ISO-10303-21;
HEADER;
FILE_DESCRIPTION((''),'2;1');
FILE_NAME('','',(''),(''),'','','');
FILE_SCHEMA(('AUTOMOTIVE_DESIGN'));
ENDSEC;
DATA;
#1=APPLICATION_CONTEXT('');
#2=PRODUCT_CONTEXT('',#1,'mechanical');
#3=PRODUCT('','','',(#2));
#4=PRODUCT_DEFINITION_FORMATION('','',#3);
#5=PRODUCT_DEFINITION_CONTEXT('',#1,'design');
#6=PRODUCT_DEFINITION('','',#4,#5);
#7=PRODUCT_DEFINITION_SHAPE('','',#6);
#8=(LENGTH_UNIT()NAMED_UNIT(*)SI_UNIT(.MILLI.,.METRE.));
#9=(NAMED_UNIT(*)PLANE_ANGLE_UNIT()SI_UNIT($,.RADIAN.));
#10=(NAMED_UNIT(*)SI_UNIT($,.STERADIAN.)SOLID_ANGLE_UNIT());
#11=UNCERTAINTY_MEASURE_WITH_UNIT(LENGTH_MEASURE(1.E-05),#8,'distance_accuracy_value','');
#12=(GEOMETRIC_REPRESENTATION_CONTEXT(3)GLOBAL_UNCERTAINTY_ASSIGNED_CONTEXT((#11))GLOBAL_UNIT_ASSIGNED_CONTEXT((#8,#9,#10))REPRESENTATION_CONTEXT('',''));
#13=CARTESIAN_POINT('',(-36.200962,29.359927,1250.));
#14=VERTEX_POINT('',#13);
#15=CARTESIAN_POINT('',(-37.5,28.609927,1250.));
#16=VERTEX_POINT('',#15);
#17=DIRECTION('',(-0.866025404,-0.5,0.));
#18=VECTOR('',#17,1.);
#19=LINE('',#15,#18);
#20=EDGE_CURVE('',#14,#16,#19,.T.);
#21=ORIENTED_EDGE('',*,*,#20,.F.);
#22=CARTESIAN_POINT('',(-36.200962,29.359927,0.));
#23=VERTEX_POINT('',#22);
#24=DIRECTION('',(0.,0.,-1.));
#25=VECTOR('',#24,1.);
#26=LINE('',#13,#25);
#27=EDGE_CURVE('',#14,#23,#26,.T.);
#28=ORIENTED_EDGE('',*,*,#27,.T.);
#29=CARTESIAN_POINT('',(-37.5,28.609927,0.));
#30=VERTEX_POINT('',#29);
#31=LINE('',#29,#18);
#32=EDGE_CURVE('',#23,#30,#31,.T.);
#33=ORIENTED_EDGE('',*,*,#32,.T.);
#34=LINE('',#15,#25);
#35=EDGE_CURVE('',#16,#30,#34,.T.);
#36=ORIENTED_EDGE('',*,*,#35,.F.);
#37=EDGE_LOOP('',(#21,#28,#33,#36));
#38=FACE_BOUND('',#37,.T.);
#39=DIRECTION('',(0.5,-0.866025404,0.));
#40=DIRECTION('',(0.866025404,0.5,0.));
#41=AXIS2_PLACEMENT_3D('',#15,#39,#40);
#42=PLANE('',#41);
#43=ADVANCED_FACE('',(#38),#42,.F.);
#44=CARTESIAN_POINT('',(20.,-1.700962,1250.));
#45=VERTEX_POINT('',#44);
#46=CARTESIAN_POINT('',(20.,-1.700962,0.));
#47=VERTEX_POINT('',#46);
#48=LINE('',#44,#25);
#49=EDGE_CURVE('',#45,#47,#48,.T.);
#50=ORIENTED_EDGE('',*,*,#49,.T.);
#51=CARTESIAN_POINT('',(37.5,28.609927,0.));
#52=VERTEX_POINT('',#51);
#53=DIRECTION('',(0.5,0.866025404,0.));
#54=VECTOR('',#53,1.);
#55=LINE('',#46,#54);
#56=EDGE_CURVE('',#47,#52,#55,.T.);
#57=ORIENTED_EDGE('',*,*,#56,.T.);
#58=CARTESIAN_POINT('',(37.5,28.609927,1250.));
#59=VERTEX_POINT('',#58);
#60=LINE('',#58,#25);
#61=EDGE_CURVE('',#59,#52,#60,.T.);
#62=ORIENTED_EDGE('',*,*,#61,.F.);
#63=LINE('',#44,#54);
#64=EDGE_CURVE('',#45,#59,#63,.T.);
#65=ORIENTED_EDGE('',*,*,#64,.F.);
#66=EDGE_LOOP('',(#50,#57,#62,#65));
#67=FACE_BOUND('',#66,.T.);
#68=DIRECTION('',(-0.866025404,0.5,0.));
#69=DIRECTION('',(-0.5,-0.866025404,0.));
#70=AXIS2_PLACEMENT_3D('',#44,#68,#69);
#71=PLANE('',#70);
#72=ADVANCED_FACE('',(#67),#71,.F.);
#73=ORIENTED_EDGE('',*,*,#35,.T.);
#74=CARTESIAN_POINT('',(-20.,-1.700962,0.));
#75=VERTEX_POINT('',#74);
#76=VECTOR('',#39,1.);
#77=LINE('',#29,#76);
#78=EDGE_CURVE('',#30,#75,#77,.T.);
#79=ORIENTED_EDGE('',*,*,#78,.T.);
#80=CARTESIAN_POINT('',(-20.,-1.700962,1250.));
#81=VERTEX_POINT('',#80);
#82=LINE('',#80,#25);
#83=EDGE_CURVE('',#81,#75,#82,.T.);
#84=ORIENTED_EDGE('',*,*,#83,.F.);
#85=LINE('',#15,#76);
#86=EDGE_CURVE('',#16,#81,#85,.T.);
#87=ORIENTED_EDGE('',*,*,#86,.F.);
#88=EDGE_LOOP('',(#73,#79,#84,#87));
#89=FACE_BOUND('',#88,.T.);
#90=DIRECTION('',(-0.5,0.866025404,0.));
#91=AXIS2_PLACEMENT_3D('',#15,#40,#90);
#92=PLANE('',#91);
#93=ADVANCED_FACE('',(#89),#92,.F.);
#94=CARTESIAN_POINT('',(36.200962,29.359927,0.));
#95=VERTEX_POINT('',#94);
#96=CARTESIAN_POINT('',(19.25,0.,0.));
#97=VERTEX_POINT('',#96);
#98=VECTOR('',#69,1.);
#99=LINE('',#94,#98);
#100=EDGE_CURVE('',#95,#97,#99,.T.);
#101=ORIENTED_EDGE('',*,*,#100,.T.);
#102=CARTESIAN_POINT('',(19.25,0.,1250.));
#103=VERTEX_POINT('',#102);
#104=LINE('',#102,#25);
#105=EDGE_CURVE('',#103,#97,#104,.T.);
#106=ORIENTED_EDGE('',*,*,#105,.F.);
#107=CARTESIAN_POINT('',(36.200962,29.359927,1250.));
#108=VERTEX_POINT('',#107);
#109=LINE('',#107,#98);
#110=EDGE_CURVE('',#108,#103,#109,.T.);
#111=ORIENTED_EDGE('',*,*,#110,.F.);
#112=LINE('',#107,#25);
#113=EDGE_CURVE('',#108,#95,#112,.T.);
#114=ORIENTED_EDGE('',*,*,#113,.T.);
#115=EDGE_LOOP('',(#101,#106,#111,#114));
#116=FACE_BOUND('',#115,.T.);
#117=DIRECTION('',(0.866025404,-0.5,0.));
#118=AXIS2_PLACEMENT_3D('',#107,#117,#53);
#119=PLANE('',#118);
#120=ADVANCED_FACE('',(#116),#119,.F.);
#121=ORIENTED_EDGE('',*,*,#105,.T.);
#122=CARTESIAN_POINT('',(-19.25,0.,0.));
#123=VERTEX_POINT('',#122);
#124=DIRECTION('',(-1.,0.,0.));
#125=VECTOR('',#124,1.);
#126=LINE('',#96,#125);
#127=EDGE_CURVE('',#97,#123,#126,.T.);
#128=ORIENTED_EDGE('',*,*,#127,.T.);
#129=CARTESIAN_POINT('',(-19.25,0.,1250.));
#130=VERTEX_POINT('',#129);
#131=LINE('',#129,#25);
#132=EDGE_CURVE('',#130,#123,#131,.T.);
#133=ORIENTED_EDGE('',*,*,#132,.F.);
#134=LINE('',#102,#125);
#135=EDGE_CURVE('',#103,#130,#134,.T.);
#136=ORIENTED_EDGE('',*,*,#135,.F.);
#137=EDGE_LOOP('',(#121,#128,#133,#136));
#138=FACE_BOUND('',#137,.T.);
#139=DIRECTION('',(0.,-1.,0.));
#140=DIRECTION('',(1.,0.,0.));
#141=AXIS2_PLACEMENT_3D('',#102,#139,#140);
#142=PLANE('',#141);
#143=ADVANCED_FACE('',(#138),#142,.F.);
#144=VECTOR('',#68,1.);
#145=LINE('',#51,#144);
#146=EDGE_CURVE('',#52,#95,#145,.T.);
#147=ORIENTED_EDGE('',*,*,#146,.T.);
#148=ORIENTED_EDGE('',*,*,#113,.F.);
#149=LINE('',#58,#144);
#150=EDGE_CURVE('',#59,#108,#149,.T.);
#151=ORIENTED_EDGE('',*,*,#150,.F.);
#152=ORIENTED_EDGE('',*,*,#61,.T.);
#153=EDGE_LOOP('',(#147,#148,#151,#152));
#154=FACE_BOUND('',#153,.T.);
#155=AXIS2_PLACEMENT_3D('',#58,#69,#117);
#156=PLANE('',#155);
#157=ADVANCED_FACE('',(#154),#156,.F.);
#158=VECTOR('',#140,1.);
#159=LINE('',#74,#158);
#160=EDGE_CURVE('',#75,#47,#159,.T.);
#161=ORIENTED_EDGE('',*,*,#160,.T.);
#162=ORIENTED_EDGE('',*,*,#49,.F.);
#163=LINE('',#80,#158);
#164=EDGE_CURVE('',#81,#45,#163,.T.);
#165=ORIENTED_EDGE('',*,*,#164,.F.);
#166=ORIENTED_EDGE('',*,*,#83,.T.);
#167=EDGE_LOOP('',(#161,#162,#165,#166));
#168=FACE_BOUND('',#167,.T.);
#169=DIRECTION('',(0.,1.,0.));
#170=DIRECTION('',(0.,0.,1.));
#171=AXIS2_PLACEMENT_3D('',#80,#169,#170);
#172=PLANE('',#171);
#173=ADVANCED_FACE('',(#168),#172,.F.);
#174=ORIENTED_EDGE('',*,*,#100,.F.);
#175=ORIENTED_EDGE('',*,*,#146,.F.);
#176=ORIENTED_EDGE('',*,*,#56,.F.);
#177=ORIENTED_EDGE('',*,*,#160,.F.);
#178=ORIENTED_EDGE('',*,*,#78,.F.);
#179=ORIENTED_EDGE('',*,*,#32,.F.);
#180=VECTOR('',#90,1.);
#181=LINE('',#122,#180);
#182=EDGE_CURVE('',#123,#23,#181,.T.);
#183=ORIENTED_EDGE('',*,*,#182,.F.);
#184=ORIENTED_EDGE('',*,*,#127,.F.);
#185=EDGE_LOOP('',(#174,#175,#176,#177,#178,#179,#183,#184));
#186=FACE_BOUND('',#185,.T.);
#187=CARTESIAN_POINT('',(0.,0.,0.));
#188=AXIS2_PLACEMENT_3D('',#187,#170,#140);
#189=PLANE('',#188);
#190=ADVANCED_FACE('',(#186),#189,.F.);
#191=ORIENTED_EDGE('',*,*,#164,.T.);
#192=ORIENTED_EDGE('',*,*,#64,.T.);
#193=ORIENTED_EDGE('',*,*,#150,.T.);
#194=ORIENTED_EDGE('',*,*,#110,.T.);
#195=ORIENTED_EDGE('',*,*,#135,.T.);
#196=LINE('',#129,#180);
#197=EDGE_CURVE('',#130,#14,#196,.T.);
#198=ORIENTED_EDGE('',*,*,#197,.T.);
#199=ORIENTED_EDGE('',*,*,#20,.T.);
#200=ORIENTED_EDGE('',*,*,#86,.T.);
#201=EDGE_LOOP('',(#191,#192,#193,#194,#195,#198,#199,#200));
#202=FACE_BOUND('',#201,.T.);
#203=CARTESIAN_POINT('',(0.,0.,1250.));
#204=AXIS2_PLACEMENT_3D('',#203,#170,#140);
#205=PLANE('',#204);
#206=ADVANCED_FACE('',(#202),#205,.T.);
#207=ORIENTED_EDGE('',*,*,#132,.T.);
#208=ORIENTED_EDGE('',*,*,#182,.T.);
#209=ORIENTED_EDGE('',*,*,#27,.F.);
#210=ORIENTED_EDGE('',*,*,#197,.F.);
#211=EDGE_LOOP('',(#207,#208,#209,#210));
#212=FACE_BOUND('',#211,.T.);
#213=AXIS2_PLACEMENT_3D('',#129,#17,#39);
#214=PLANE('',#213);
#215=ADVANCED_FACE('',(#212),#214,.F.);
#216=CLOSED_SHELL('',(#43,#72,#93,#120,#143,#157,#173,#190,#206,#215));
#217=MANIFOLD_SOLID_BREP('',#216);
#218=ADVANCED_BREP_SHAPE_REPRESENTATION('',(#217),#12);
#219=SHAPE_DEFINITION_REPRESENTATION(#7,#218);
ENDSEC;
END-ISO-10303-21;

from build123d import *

# Parameters (mm, degrees)
EXTRUDE_1_DEPTH = 1250


with BuildPart() as part:
    # Эскиз1 → Бобышка-Вытянуть1 (new body)
    with BuildSketch(Plane.XY):
        Polygon((-20, -1.700961894), (20, -1.700961894), (37.5, 28.609927238), (36.200961894, 29.359927238), (19.25, 0), (-19.25, 0), (-36.200961894, 29.359927238), (-37.5, 28.609927238), align=None)
    extrude(amount=EXTRUDE_1_DEPTH)


solid = part.part
